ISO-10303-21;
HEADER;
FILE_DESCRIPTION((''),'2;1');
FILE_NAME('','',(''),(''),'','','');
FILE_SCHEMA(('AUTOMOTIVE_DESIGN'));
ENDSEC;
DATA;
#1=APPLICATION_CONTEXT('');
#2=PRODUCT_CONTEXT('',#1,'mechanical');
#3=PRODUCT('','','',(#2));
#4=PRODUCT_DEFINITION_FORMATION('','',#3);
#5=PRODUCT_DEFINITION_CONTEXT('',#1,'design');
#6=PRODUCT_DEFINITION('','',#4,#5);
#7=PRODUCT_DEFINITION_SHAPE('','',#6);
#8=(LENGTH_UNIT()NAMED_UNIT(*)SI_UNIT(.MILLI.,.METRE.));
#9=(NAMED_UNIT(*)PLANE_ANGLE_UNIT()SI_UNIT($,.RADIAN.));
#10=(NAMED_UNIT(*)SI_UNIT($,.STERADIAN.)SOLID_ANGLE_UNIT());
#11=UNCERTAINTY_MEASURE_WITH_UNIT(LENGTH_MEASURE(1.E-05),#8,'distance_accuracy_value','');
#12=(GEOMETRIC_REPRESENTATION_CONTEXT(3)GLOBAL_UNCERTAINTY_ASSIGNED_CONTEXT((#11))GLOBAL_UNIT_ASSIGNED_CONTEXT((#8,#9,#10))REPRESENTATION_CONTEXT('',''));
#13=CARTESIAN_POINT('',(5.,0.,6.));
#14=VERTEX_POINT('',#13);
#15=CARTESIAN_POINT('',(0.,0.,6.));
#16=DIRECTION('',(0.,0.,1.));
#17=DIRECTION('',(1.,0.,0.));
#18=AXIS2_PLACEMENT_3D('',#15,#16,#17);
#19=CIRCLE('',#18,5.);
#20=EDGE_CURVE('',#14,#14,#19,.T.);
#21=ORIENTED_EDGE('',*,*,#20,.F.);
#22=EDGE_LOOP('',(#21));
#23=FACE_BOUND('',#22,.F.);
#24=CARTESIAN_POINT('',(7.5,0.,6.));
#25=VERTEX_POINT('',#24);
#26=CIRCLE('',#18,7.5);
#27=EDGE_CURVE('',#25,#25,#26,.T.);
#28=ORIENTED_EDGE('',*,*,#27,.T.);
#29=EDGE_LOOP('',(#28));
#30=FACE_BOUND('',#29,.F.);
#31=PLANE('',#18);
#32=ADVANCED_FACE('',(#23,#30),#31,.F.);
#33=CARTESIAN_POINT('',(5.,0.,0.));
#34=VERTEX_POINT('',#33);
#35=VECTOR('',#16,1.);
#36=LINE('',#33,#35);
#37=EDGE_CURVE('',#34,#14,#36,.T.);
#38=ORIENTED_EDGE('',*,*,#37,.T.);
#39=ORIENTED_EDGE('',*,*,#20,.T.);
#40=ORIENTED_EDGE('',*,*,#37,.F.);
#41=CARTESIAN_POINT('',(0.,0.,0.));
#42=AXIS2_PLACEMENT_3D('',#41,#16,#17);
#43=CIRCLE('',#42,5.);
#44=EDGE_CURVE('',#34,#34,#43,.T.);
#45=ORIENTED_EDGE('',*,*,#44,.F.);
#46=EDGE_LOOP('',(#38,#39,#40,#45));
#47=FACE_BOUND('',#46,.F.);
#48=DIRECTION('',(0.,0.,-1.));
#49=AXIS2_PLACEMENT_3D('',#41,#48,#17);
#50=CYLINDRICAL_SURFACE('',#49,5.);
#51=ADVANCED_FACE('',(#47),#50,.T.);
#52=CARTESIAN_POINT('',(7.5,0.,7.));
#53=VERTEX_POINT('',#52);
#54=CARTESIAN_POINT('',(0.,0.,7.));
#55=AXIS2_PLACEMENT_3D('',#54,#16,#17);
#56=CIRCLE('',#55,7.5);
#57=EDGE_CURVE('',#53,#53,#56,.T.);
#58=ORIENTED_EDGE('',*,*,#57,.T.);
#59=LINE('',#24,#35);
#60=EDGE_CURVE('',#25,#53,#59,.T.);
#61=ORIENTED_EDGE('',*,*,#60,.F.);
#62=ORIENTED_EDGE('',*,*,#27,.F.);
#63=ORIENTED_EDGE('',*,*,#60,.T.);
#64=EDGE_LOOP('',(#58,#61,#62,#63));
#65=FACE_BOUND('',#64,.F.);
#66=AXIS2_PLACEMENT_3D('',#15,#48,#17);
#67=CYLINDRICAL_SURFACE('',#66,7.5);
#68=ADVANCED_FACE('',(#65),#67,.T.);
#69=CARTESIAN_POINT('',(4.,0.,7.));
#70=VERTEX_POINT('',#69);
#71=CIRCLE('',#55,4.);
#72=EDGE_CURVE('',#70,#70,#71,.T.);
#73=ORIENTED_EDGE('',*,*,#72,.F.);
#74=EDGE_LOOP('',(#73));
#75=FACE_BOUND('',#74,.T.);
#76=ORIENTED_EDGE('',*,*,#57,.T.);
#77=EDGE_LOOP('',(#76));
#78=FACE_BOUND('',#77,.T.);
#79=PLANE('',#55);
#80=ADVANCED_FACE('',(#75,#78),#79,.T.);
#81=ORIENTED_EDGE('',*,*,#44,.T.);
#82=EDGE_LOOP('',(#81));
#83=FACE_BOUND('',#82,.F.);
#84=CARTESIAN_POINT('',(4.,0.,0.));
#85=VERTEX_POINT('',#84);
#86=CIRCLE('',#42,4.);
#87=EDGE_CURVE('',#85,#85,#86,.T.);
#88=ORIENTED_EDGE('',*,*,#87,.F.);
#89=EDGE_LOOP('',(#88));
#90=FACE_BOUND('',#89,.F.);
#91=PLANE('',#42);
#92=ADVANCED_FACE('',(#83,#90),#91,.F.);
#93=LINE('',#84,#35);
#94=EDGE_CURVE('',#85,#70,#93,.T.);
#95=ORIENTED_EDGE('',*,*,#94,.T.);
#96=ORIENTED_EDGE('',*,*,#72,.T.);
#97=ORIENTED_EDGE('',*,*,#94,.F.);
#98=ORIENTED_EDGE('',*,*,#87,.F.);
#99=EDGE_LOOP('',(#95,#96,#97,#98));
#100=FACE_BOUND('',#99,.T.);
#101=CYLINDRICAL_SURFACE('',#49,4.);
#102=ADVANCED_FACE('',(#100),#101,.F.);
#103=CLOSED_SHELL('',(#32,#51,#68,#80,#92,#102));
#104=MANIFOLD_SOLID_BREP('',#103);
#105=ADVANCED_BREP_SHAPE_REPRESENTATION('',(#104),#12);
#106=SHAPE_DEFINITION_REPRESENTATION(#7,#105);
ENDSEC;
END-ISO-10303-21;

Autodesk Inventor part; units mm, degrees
ref_plane "YZ Plane" through (0, 0, 0) normal (1, 0, 0) x (0, 1, 0)
ref_plane "XZ Plane" through (0, 0, 0) normal (0, 1, 0) x (-1, 0, 0)
ref_plane "XY Plane" through (0, 0, 0) normal (0, 0, 1) x (1, 0, 0)
sketch "スケッチ1" plane through (0, 0, 0) normal (0, 0, 1) x (1, 0, 0)
  circle A0 centre (0, 0) radius 4
  circle A1 centre (0, 0) radius 5
  dimension "d0" = 8
  dimension "d1" = 10
extrude "押し出し1" add sketch "スケッチ1" along normal blind 6
sketch "スケッチ2" plane through (0, 0, 6) normal (0, 0, 1) x (1, 0, 0)
  circle A0 centre (0, 0) radius 4 projected
  circle A1 centre (0, 0) radius 7.5
  dimension "d4" = 15
extrude "押し出し2" add sketch "スケッチ2" along normal blind 1
properties part number "オイレスフランジ付き081006" material "アセタール樹脂、黒"
